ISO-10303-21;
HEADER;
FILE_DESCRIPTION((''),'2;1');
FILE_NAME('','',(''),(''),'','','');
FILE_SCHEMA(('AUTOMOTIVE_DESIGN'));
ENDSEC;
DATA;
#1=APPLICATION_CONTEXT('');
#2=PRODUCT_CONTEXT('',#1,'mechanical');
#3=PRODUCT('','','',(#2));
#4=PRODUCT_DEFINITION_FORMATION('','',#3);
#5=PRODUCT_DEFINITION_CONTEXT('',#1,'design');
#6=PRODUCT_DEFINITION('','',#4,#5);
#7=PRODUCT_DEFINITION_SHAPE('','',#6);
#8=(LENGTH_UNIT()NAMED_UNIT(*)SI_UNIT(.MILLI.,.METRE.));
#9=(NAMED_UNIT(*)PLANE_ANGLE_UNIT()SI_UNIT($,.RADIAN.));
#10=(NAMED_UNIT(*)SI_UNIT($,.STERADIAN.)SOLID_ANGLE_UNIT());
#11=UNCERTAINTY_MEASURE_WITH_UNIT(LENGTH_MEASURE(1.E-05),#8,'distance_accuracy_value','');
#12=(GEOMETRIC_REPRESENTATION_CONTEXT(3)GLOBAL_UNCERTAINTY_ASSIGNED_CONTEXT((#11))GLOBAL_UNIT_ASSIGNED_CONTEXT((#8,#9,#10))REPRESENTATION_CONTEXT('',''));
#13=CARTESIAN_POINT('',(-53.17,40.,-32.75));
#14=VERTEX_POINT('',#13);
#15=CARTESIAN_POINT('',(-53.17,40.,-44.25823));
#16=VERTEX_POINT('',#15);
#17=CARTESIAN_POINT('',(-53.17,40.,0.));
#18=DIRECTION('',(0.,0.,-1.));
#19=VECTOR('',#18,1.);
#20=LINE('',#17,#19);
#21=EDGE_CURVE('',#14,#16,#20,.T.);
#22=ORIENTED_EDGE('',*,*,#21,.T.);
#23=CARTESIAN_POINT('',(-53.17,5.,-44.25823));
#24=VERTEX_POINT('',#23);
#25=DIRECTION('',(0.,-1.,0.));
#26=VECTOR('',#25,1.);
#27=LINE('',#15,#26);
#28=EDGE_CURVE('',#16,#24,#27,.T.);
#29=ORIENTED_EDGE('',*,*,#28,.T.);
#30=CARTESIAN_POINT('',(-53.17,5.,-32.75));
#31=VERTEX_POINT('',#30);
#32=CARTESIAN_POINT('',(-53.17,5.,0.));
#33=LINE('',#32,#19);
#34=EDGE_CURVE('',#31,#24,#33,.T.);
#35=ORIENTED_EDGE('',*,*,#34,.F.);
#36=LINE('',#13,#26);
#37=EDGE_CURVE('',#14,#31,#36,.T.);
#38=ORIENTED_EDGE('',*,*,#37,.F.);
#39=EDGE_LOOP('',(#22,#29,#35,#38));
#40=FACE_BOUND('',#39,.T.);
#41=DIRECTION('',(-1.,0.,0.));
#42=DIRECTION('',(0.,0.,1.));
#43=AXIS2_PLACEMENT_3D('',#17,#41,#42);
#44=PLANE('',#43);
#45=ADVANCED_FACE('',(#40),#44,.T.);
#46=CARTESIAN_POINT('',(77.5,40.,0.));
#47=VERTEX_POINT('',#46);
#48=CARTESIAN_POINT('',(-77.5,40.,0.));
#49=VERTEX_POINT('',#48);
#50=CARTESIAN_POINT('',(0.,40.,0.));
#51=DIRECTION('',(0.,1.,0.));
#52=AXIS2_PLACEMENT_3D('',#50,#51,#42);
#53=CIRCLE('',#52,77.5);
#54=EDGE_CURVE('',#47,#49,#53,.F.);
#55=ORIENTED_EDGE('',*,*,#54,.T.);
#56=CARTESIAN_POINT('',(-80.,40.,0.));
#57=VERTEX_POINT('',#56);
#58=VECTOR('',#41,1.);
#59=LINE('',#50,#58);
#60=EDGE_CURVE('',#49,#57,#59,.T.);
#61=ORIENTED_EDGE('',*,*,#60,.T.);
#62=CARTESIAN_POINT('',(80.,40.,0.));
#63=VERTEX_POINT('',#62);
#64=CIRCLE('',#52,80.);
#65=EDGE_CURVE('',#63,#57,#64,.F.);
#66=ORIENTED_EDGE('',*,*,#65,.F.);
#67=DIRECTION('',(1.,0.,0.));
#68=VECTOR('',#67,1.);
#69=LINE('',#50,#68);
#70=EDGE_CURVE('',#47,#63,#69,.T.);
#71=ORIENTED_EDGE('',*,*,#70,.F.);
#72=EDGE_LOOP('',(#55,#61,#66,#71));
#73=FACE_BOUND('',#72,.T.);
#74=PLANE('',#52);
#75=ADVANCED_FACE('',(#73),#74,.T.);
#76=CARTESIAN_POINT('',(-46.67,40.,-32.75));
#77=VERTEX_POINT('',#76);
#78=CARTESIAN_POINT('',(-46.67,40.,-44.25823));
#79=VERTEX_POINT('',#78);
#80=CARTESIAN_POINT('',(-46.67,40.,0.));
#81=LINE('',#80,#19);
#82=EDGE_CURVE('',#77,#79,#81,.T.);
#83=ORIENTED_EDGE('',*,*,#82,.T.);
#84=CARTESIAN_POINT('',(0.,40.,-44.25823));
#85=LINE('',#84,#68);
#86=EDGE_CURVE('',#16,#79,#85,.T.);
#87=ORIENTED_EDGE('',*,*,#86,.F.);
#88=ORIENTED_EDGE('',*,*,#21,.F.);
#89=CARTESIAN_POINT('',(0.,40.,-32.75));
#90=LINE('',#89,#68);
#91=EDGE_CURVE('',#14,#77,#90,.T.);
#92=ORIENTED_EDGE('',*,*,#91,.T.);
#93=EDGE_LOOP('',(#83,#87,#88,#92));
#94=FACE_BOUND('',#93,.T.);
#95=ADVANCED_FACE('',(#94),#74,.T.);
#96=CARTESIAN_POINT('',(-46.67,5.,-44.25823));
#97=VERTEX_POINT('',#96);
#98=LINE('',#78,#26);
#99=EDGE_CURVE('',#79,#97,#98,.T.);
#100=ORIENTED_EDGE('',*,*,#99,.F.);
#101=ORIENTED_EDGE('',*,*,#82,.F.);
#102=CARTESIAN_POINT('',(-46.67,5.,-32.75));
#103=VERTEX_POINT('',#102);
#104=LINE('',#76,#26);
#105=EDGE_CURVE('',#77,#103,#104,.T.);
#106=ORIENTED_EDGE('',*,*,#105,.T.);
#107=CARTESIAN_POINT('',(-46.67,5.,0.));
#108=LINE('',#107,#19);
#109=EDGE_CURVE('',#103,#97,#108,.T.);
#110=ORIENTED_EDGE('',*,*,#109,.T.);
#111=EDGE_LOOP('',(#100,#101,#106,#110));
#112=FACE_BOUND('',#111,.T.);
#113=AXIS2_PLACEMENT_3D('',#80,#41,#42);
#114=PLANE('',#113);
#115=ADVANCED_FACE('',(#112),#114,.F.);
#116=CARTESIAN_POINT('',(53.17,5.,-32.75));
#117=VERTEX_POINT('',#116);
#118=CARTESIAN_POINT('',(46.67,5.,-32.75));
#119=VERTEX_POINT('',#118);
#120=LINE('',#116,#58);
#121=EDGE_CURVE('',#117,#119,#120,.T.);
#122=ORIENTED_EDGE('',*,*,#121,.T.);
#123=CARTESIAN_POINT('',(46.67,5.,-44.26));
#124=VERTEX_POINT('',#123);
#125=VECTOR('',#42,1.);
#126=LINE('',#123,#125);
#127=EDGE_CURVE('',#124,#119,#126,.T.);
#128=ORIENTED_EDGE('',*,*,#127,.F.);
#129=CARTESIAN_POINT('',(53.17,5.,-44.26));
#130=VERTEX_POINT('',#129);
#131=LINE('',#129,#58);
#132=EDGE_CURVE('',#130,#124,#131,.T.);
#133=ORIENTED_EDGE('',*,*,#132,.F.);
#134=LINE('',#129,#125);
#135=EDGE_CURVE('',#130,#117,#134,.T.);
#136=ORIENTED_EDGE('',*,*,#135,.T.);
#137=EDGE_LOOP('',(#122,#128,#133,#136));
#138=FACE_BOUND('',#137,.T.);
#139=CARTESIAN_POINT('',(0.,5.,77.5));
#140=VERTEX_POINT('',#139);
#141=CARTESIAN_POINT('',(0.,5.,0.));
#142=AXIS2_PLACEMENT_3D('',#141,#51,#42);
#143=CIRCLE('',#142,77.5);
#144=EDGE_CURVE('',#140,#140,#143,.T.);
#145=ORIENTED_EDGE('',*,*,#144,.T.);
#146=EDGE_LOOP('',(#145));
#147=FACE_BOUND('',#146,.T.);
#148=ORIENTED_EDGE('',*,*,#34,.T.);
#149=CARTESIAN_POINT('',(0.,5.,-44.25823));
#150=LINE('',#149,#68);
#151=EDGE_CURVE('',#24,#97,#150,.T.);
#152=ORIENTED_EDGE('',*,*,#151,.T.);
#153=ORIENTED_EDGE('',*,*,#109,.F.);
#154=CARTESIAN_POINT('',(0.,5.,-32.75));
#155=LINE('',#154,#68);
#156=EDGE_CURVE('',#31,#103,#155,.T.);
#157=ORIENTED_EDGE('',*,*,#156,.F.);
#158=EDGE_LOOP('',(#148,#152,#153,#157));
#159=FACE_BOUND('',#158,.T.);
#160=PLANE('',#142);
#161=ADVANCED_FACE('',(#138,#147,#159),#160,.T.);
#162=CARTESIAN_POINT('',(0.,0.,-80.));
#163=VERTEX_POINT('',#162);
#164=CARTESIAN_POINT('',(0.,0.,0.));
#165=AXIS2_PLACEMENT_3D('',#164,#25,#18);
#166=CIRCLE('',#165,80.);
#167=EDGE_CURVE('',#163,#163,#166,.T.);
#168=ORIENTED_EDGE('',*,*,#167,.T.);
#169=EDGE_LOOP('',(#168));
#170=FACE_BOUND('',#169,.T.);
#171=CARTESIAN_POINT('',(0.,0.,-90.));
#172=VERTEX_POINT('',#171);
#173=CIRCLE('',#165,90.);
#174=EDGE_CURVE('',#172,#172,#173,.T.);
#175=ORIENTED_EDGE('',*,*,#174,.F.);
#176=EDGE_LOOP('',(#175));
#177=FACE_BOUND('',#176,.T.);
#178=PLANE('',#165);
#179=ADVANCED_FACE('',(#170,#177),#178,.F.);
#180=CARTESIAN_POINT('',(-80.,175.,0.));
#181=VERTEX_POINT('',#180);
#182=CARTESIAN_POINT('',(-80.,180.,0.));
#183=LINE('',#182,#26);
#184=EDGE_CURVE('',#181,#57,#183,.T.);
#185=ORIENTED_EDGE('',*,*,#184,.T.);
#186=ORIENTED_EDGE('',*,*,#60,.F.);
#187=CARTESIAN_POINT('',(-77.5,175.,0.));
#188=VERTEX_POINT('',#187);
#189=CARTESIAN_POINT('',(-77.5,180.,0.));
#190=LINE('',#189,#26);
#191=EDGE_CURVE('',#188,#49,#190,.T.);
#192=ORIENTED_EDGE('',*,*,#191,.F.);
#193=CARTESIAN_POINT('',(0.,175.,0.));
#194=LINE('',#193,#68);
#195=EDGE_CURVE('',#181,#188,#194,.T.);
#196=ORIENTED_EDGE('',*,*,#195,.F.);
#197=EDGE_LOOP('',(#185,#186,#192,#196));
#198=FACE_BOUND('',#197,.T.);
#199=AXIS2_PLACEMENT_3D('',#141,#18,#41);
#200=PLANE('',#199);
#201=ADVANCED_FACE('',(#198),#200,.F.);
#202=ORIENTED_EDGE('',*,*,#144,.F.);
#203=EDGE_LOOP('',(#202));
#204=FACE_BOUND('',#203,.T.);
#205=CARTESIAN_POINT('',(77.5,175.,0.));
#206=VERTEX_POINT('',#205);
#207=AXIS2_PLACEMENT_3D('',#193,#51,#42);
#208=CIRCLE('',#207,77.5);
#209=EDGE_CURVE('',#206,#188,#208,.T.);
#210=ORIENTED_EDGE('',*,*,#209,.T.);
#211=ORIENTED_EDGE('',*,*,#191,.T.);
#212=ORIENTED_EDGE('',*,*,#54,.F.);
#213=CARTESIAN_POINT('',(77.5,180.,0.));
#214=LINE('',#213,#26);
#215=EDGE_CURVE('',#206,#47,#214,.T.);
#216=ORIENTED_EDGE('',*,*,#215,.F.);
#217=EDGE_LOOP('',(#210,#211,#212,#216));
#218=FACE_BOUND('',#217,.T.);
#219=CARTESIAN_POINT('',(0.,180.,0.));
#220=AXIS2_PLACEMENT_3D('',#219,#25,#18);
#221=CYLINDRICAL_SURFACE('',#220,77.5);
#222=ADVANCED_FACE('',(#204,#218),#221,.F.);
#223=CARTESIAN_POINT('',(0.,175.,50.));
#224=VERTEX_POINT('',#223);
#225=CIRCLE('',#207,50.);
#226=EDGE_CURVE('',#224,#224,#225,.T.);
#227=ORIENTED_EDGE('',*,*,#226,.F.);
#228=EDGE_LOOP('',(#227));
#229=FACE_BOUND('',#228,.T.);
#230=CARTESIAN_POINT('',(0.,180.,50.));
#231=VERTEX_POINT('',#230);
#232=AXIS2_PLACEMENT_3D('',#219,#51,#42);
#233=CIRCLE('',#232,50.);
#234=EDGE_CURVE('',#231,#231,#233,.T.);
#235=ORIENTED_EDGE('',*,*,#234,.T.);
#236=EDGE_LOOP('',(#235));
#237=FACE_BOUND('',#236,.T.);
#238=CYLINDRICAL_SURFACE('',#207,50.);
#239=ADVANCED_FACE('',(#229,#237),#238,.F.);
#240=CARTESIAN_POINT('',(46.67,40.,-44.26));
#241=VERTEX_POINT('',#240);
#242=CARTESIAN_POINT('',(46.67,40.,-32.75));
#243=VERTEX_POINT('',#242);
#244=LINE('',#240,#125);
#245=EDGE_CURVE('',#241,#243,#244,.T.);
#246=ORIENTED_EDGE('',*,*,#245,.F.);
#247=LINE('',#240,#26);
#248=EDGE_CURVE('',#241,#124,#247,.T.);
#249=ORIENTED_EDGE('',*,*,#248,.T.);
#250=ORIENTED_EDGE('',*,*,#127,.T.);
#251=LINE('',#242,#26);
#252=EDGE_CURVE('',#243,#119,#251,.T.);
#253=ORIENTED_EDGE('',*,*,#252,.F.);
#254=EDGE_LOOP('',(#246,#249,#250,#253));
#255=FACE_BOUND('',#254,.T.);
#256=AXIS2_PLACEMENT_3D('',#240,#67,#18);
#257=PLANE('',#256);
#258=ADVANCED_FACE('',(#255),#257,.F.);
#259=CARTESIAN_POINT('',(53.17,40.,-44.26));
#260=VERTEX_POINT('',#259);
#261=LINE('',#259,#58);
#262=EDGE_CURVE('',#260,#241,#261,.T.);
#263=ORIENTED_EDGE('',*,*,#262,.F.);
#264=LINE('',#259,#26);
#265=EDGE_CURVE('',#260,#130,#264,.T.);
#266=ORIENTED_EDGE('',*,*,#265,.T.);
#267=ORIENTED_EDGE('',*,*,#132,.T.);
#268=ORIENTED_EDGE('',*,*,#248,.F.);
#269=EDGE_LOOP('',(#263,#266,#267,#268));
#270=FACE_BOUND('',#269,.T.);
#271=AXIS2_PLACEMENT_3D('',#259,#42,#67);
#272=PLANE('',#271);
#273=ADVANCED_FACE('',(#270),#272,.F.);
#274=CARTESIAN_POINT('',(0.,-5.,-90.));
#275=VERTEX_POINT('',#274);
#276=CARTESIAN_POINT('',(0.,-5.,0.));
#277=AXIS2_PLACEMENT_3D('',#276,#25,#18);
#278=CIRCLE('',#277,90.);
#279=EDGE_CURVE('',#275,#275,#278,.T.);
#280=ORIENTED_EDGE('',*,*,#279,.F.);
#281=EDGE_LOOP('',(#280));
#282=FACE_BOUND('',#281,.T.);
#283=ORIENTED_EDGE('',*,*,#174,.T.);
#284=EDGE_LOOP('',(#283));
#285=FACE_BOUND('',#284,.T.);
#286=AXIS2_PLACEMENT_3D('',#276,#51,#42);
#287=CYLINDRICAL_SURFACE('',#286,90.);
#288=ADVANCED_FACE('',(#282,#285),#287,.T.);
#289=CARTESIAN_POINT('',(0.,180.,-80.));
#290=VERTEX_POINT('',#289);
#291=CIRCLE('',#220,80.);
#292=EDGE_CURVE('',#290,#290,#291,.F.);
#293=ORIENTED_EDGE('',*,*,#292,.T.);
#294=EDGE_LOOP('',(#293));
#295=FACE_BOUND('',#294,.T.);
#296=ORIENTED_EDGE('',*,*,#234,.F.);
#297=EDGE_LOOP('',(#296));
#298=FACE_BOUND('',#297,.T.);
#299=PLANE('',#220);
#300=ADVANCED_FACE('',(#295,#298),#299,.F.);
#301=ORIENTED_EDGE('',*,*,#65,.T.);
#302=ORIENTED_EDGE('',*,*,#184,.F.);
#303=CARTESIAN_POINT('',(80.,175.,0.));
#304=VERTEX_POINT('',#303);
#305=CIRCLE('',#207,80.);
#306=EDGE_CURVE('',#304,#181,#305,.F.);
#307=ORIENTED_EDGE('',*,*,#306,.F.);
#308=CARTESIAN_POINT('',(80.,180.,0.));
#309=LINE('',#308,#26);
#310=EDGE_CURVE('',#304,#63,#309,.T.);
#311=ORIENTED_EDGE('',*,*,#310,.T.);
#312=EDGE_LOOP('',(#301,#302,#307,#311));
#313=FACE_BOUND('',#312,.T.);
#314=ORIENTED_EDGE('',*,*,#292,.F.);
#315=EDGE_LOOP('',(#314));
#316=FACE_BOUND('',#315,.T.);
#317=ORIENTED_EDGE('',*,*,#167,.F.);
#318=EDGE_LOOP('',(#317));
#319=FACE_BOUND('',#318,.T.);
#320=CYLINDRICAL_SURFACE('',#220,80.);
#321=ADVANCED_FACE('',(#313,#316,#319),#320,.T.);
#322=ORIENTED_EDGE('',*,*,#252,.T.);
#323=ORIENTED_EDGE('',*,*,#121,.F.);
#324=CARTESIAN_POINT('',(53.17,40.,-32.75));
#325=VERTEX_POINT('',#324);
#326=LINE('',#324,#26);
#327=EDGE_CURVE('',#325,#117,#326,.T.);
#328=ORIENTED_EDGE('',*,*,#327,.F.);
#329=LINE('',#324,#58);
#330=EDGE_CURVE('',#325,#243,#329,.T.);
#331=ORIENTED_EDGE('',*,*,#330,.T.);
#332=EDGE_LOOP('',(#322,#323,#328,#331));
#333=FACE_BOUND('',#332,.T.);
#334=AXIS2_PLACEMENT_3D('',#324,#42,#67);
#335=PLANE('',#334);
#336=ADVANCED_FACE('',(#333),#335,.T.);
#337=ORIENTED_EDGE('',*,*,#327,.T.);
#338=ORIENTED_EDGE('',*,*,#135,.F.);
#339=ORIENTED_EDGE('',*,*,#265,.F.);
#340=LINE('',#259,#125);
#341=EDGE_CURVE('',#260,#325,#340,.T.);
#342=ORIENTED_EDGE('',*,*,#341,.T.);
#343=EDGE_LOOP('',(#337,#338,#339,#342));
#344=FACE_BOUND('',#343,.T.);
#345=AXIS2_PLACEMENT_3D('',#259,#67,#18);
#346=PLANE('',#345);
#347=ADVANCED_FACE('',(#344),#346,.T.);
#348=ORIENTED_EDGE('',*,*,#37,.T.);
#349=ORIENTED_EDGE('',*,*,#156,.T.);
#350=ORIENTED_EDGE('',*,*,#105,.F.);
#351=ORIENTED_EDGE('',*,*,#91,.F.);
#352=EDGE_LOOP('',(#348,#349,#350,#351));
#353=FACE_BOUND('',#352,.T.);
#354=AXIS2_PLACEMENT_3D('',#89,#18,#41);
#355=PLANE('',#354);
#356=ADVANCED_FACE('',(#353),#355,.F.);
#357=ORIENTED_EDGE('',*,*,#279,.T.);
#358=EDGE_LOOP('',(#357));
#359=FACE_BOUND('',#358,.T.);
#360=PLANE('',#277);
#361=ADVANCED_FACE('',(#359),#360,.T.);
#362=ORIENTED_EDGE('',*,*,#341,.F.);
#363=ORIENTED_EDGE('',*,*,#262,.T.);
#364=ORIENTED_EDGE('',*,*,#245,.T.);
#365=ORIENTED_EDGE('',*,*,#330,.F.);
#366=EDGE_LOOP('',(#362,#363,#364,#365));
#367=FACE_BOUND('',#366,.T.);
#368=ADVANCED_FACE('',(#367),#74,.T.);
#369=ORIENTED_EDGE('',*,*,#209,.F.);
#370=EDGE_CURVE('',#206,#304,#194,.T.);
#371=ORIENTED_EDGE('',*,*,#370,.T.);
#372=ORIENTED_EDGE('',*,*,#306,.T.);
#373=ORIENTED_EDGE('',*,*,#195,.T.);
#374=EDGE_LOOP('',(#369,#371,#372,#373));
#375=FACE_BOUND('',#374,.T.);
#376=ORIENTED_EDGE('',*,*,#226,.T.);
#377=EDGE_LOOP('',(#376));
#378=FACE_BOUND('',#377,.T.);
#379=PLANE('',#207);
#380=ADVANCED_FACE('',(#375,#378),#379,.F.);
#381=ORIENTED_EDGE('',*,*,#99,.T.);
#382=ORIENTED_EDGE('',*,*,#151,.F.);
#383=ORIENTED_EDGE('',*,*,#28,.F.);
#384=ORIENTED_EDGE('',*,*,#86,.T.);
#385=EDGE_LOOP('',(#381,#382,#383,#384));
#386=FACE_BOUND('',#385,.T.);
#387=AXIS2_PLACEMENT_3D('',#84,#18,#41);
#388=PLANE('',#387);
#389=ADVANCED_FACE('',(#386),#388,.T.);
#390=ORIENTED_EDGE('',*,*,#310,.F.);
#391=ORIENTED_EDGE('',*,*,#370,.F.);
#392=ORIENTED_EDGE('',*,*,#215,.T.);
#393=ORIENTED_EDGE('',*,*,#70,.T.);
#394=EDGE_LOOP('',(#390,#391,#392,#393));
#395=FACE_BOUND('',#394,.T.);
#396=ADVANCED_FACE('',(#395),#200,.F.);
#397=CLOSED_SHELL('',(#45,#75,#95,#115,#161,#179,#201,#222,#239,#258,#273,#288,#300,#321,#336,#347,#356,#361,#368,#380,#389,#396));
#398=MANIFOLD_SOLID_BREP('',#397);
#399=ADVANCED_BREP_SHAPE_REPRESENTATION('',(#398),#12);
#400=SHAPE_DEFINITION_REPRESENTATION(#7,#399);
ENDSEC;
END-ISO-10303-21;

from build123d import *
from build123d.topology import SkipClean

# Parameters (mm, degrees)
BOSS_EXTRU_1_DEPTH      = 5
BOSS_EXTRU_2_DEPTH      = 180
BOSS_EXTRU_3_DEPTH      = 5
ENL_V_MAT_EXTRU_1_DEPTH = 5
BOSS_EXTRU_4_DEPTH      = 40
BOSS_EXTRU_5_DEPTH      = 5
ESQUISSE8_R             = 90
BOSS_EXTRU_6_DEPTH      = 5
BOSS_EXTRU_7_DEPTH      = 5
BOSS_EXTRU_8_DEPTH      = 5
ESQUISSE12_W            = 6.5
ESQUISSE12_H            = 11.508229801
ESQUISSE12_H_2          = 11.51
BOSS_EXTRU_9_DEPTH      = 35


with BuildPart() as part:
    # Esquisse1 → Boss.-Extru.1 (new body)
    with BuildSketch(Plane(origin=(0, 0, 0), x_dir=(1, 0, 0), z_dir=(0, 1, 0))):
        with BuildLine():
            ThreePointArc((0, 77.5), (-54.800775542, 54.800775542), (-77.5, 0))
            Line((-77.5, 0), (0, 0))
            Line((0, 0), (77.5, 0))
            ThreePointArc((77.5, 0), (54.800775542, 54.800775542), (0, 77.5))
        make_face()
    extrude(amount=BOSS_EXTRU_1_DEPTH)

    # Esquisse2 → Boss.-Extru.2 (add)
    with BuildSketch(Plane.XZ):
        with BuildLine():
            Line((80, 0), (77.5, 0))
            ThreePointArc((77.5, 0), (0, -77.5), (-77.5, 0))
            Line((-77.5, 0), (-80, 0))
            ThreePointArc((-80, 0), (0, -80), (80, 0))
        make_face()
    extrude(amount=-BOSS_EXTRU_2_DEPTH)

    # Esquisse4 → Boss.-Extru.3 (add)
    with BuildSketch(Plane(origin=(0, 180, 0), x_dir=(1, 0, 0), z_dir=(0, 1, 0))):
        with BuildLine():
            Line((-77.5, 0), (77.5, 0))
            ThreePointArc((77.5, 0), (0, 77.5), (-77.5, 0))
        make_face()
    extrude(amount=-BOSS_EXTRU_3_DEPTH)

    # Esquisse5 → Enlèv. mat.-Extru.1 (cut)
    with BuildSketch(Plane(origin=(0, 180, 0), x_dir=(1, 0, 0), z_dir=(0, 1, 0))):
        with BuildLine():
            Line((-50, 0), (50, 0))
            ThreePointArc((50, 0), (0, 50), (-50, 0))
        make_face()
    extrude(amount=-ENL_V_MAT_EXTRU_1_DEPTH, mode=Mode.SUBTRACT)

    # Esquisse6 → Boss.-Extru.4 (add)
    with SkipClean():  # the faces are left unmerged after this step: merging them gives an invalid solid
        with BuildSketch(Plane(origin=(0, 0, 0), x_dir=(1, 0, 0), z_dir=(0, 1, 0))):
            with BuildLine():
                Line((80, 0), (77.5, 0))
                ThreePointArc((77.5, 0), (0, -77.5), (-77.5, 0))
                Line((-77.5, 0), (-80, 0))
                ThreePointArc((-80, 0), (0, -80), (80, 0))
            make_face()
        extrude(amount=BOSS_EXTRU_4_DEPTH)

    # Esquisse7 → Boss.-Extru.5 (add)
    with BuildSketch(Plane(origin=(0, 0, 0), x_dir=(1, 0, 0), z_dir=(0, 1, 0))):
        with BuildLine():
            Line((0, 0), (-77.5, 0))
            ThreePointArc((-77.5, 0), (0, -77.5), (77.5, 0))
            Line((77.5, 0), (0, 0))
        make_face()
    extrude(amount=BOSS_EXTRU_5_DEPTH)

    # Esquisse8 → Boss.-Extru.6 (add)
    with BuildSketch(Plane.XZ):
        with Locations(Location((0, 0, 0), (0, 0, 270))):
            Circle(ESQUISSE8_R)
    extrude(amount=BOSS_EXTRU_6_DEPTH)



with BuildPart() as body_2:
    # Esquisse9 → Boss.-Extru.7 (new body)
    with BuildSketch(Plane(origin=(0, 180, 0), x_dir=(1, 0, 0), z_dir=(0, 1, 0))):
        with BuildLine():
            Line((80, 0), (77.5, 0))
            ThreePointArc((77.5, 0), (0, -77.5), (-77.5, 0))
            Line((-77.5, 0), (-80, 0))
            ThreePointArc((-80, 0), (0, -80), (80, 0))
        make_face()
    extrude(amount=-BOSS_EXTRU_7_DEPTH)


with BuildPart() as part_1:
    add(part.part)

    add(body_2.part)  # Boss.-Extru.8 merges body 2
    # Esquisse10 → Boss.-Extru.8 (add)
    with BuildSketch(Plane(origin=(0, 180, 0), x_dir=(1, 0, 0), z_dir=(0, 1, 0))):
        with BuildLine():
            ThreePointArc((-77.5, 0), (0, -77.5), (77.5, 0))
            Line((77.5, 0), (50, 0))
            ThreePointArc((50, 0), (0, -50), (-50, 0))
            Line((-50, 0), (-77.5, 0))
        make_face()
    extrude(amount=-BOSS_EXTRU_8_DEPTH)

    # Esquisse12 → Boss.-Extru.9 (add)
    with BuildSketch(Plane(origin=(0, 5, 0), x_dir=(1, 0, 0), z_dir=(0, 1, 0))):
        with Locations((-49.92, 38.5041149)):
            Rectangle(ESQUISSE12_W, ESQUISSE12_H)
        with Locations((49.92, 38.505)):
            Rectangle(ESQUISSE12_W, ESQUISSE12_H_2)
    extrude(amount=BOSS_EXTRU_9_DEPTH)


solid = part_1.part
